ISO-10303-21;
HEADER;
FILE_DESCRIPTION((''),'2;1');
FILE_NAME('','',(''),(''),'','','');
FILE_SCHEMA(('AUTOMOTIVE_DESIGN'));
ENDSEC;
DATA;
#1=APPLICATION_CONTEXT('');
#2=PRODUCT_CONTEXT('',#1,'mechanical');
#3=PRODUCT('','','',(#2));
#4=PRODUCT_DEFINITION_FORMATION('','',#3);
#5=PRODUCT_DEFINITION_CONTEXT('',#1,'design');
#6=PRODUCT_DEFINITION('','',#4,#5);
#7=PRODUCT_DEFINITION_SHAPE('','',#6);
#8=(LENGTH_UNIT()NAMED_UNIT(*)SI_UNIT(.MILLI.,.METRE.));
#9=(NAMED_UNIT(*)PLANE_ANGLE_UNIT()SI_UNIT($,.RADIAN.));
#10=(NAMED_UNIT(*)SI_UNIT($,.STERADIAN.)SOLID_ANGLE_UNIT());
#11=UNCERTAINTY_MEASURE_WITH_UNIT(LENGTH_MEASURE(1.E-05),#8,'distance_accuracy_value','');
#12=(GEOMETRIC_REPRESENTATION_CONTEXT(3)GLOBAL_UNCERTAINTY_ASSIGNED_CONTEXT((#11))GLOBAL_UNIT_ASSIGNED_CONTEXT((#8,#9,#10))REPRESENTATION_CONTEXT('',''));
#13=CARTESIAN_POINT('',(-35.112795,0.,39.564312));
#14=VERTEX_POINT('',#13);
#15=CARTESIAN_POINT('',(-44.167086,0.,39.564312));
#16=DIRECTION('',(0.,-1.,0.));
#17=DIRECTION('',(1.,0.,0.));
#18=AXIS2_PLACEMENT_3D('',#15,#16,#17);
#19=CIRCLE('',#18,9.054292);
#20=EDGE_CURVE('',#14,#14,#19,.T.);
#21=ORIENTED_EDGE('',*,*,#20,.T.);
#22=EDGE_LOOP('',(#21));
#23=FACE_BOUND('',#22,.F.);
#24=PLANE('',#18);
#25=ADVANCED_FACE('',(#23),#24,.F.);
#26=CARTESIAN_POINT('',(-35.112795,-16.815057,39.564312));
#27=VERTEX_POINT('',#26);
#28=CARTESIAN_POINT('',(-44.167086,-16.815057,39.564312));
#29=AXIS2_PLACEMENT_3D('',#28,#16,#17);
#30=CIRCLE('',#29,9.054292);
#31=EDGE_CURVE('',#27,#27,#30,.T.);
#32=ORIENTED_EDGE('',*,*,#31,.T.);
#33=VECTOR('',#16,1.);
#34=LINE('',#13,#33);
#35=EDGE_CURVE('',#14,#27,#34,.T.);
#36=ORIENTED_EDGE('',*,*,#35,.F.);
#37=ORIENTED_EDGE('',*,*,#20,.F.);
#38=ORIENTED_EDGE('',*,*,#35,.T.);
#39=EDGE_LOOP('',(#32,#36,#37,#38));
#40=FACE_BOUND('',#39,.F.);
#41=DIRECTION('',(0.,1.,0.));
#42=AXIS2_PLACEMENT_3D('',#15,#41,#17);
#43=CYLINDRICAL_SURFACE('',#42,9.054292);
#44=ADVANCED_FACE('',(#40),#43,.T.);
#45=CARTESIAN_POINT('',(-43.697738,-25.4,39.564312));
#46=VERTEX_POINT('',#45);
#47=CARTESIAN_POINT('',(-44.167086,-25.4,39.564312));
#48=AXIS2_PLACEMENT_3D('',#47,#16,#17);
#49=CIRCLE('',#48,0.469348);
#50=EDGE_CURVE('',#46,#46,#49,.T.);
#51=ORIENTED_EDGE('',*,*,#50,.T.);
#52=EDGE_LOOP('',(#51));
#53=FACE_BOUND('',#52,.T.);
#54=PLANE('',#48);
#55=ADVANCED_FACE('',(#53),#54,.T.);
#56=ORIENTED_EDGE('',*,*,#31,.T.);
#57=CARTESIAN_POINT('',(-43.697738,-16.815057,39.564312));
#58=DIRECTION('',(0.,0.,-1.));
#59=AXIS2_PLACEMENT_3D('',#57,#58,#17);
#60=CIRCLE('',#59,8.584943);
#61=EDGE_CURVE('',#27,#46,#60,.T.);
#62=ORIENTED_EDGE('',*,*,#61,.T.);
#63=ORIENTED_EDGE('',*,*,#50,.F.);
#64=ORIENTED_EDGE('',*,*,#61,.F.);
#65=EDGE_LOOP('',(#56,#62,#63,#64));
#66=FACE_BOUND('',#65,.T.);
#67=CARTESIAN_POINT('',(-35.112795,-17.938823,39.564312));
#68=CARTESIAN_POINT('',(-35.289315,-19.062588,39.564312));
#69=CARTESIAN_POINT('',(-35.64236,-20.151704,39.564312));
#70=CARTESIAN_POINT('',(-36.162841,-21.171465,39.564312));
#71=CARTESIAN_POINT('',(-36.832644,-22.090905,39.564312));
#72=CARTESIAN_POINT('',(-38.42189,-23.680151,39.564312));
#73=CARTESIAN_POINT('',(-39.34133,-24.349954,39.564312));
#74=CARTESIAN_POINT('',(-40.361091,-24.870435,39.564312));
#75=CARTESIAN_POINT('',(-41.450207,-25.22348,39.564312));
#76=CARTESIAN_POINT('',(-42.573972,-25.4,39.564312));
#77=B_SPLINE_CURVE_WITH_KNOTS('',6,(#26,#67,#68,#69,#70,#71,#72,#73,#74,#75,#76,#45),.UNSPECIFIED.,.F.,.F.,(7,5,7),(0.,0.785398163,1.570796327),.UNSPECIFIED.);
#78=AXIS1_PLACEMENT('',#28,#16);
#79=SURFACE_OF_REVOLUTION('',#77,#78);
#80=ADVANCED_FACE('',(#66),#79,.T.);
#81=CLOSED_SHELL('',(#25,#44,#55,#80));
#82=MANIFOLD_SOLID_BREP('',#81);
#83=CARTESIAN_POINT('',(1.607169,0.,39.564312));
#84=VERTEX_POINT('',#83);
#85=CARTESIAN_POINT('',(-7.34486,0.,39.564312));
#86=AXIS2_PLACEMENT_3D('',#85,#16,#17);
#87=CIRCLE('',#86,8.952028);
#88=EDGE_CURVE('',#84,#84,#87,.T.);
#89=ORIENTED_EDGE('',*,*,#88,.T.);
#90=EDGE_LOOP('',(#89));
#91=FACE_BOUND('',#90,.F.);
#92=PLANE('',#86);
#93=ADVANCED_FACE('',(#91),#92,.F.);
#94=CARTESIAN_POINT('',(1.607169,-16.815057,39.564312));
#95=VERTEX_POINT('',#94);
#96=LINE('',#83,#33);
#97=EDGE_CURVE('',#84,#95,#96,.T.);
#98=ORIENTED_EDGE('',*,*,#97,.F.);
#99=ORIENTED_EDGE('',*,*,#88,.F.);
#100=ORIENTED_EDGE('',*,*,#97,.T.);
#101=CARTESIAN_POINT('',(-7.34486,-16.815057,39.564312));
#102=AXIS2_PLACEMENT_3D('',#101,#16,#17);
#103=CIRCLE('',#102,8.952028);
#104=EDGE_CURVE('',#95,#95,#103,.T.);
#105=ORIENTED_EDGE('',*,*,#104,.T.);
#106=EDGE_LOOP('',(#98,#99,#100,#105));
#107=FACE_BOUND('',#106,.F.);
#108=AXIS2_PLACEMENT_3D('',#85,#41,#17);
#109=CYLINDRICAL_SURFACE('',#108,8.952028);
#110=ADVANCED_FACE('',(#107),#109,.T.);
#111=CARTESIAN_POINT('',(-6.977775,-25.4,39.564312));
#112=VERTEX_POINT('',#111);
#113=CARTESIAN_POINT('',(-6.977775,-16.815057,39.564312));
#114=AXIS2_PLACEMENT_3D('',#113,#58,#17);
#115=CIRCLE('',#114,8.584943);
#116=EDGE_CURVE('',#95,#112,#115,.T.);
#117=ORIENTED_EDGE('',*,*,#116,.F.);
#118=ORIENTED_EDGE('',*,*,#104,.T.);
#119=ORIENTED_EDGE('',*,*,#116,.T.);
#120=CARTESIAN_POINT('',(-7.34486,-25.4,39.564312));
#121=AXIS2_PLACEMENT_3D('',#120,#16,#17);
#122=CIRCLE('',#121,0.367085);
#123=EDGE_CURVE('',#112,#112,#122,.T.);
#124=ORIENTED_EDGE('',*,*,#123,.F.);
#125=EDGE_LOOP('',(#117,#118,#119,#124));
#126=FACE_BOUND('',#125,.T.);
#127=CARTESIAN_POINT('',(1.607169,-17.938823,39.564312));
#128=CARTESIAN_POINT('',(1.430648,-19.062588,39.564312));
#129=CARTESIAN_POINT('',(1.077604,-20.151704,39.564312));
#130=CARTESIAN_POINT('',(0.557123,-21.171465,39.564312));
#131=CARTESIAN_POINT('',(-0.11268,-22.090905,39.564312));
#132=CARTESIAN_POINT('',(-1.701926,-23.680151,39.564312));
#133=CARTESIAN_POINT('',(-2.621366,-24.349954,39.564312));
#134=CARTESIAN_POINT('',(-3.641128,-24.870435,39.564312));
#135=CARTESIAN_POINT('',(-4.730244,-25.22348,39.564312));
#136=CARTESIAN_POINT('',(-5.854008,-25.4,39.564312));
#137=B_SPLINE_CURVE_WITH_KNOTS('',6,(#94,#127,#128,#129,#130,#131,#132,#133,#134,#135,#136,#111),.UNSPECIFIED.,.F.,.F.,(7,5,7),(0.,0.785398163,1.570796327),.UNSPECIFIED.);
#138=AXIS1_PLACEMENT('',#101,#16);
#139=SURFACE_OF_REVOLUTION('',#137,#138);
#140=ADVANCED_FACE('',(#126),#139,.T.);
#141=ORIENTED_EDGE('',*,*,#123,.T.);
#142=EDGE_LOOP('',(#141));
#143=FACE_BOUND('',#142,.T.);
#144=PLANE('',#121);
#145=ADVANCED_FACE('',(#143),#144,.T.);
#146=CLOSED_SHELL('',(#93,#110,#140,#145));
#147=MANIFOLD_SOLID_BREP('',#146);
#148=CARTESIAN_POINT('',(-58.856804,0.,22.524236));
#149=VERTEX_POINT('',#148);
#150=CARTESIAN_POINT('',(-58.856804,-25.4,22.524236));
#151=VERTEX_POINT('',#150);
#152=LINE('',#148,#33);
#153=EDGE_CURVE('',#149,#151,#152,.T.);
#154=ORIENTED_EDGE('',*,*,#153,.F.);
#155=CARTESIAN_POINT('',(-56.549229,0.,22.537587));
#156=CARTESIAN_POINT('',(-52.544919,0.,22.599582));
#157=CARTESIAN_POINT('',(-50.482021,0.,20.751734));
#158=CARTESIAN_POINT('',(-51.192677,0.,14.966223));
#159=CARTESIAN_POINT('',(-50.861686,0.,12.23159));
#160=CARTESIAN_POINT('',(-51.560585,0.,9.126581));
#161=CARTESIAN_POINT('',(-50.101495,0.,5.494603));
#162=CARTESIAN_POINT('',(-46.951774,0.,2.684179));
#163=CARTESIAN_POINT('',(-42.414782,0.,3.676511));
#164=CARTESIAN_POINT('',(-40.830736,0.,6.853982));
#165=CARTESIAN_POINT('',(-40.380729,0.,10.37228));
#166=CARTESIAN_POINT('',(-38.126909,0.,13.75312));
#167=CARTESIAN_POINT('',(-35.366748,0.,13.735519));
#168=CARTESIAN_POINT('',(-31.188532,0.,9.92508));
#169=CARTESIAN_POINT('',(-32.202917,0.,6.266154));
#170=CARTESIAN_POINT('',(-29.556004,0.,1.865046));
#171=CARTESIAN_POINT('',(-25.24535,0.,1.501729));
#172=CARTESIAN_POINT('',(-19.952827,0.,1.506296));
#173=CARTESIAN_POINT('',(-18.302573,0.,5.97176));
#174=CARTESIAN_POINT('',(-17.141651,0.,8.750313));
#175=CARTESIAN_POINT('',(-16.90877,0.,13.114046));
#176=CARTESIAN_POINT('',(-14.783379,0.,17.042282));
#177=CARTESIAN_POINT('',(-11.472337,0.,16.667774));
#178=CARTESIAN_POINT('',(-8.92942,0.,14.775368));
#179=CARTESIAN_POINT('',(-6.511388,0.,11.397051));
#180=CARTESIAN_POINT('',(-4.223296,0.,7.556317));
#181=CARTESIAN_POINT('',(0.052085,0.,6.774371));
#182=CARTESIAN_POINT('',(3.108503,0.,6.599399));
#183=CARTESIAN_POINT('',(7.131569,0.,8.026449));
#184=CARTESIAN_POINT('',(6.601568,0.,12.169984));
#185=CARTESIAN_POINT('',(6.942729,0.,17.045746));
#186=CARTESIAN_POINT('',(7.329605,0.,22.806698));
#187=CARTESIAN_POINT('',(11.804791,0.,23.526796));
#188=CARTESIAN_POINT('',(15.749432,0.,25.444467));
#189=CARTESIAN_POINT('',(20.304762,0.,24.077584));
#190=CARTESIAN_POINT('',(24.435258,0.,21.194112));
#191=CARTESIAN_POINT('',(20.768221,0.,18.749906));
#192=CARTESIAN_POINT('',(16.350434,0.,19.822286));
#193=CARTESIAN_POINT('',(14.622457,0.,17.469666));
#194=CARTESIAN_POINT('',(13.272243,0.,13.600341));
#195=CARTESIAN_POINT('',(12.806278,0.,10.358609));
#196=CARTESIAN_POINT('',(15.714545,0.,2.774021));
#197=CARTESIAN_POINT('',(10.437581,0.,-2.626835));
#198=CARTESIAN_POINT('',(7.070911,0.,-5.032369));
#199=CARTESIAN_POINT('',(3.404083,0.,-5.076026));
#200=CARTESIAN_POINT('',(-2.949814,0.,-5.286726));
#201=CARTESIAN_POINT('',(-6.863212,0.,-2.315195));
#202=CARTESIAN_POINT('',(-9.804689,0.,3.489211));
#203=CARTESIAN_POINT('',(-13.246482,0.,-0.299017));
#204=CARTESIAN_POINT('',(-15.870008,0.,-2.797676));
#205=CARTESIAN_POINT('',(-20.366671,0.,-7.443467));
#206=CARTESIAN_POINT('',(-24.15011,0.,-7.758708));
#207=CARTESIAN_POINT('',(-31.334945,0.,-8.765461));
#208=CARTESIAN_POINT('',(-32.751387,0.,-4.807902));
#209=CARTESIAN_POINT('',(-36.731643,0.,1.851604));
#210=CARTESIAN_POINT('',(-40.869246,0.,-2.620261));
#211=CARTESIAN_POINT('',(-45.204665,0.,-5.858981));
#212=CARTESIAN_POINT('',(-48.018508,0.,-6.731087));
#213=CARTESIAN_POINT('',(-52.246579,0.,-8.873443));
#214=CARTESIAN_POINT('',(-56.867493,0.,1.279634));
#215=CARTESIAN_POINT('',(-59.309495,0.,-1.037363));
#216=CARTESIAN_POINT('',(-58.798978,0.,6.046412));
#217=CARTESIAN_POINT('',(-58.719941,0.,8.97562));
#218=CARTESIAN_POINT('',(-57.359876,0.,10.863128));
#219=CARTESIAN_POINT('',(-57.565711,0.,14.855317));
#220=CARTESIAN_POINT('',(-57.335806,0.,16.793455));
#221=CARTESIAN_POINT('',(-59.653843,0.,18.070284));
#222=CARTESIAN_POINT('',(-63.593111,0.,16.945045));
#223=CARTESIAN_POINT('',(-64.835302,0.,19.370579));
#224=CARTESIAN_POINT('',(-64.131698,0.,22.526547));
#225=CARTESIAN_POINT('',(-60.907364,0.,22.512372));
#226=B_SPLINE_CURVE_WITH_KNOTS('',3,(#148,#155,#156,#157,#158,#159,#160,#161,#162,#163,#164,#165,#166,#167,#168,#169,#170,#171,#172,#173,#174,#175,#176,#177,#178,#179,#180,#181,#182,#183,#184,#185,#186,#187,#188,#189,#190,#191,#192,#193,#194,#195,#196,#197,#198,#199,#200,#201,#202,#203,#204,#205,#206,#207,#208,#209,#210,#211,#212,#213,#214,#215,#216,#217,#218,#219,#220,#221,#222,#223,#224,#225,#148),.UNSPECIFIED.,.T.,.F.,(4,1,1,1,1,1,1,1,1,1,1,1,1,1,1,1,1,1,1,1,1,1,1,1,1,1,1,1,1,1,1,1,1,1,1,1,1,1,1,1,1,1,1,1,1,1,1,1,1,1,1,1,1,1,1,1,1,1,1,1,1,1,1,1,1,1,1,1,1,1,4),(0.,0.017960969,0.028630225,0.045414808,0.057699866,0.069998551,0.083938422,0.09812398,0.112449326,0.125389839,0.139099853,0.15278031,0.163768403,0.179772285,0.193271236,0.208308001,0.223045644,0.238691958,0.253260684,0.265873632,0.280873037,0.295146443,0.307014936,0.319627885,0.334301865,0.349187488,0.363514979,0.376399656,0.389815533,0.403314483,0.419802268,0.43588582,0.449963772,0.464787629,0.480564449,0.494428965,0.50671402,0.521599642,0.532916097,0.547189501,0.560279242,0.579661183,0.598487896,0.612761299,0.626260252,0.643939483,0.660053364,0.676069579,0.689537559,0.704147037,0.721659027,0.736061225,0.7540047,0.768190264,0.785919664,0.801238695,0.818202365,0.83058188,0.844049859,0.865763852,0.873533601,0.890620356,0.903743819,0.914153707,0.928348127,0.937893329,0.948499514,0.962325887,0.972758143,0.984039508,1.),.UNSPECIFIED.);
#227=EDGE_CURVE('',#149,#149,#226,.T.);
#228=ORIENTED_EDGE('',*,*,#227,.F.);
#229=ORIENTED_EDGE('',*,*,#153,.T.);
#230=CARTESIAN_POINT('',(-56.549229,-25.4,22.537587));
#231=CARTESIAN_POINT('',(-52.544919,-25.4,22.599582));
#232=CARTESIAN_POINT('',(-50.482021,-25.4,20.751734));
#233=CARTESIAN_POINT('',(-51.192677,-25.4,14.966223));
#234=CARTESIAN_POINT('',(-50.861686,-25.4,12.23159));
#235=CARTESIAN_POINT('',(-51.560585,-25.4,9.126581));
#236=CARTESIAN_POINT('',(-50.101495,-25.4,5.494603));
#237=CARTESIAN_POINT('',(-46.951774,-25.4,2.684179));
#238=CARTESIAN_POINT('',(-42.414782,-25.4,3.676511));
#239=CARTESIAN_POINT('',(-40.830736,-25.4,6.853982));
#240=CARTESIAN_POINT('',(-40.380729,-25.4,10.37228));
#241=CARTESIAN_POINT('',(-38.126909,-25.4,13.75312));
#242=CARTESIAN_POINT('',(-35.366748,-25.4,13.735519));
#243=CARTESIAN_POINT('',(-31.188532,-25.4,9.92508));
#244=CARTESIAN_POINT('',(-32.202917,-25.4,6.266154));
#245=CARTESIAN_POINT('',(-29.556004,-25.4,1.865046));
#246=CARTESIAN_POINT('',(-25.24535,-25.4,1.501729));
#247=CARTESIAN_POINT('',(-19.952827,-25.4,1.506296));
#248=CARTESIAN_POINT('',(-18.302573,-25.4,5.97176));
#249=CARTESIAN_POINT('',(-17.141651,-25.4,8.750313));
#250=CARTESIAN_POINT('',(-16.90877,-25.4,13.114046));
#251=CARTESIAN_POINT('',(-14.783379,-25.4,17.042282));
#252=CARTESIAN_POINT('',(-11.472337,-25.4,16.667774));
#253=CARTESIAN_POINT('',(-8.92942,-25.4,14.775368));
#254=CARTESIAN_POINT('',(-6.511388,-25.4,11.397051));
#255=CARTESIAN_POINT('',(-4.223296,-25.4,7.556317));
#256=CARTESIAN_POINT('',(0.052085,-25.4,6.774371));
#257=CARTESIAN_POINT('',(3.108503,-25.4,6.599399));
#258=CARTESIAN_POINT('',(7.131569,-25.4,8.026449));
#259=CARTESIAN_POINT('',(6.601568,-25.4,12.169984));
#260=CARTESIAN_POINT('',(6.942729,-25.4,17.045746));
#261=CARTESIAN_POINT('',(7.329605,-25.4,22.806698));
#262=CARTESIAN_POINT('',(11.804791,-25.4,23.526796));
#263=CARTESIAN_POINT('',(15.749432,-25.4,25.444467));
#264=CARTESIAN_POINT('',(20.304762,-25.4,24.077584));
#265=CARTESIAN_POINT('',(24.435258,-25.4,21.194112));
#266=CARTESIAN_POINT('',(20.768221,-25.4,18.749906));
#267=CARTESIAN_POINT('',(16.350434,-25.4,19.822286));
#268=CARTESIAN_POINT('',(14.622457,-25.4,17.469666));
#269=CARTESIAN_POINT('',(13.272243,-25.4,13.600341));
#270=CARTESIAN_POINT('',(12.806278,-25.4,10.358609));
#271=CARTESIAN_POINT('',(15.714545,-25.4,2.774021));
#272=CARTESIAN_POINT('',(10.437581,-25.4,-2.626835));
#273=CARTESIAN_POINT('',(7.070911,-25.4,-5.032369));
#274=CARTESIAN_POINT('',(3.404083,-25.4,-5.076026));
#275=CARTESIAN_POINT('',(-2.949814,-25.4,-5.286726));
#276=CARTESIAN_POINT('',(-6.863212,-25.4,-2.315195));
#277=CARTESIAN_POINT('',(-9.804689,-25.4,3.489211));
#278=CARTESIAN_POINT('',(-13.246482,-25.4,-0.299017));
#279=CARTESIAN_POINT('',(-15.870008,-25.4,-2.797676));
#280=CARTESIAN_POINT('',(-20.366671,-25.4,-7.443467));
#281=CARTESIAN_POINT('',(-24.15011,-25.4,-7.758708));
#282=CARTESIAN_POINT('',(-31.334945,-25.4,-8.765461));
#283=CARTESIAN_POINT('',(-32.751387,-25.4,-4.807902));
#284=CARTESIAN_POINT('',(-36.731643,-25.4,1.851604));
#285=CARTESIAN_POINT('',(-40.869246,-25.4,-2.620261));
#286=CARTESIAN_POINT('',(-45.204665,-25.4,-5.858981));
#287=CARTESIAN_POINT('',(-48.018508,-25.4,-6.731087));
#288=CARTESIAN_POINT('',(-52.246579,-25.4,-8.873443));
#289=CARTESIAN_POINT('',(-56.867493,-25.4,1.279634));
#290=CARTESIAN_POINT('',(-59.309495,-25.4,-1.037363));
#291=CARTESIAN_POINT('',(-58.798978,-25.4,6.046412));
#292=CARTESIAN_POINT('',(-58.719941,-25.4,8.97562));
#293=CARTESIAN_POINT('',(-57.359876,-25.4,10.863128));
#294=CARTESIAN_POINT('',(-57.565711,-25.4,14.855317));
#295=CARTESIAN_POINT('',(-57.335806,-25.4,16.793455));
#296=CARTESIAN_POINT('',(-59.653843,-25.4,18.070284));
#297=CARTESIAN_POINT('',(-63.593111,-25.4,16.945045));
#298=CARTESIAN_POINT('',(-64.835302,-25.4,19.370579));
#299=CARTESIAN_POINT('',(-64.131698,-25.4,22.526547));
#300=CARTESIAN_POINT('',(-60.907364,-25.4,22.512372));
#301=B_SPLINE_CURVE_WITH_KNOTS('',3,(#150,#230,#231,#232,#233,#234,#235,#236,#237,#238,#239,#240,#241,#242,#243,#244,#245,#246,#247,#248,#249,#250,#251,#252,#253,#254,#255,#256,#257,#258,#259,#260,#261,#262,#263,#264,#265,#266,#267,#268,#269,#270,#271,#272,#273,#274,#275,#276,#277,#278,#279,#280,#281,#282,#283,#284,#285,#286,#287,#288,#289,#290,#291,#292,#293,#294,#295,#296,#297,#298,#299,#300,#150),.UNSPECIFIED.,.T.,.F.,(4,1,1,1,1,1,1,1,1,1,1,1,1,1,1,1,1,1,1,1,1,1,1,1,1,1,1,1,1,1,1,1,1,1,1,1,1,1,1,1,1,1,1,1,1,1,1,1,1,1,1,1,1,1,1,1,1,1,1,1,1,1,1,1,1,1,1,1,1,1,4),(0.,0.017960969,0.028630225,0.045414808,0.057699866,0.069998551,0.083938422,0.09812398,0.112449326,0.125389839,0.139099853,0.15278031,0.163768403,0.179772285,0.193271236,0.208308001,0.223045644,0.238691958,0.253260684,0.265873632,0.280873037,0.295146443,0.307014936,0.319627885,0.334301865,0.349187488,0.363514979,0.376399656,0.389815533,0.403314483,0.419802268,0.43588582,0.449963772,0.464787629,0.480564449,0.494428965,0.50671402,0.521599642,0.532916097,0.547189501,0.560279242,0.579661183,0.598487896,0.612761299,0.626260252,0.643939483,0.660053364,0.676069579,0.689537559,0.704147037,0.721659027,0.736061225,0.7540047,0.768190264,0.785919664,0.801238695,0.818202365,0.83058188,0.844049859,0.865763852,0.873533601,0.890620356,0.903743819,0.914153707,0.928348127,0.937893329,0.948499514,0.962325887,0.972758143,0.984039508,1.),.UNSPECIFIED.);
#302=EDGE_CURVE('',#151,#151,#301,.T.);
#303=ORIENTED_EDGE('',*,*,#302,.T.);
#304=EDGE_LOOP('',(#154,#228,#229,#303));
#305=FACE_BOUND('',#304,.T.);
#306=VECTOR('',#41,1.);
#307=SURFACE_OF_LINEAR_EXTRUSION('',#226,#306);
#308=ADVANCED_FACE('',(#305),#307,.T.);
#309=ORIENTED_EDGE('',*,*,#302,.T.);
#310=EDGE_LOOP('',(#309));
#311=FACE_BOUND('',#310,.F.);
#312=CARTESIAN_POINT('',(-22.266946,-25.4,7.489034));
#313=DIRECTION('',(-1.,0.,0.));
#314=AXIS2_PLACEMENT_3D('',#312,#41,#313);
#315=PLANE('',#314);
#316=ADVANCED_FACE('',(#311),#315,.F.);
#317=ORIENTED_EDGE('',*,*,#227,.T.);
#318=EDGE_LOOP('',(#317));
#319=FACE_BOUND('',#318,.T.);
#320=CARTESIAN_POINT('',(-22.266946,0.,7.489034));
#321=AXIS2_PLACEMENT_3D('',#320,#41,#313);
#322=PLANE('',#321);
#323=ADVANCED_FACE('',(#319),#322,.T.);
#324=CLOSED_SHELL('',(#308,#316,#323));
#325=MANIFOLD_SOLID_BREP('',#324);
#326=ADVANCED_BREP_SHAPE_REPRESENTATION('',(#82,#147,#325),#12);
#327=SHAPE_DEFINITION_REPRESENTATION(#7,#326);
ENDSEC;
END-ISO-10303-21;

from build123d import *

# Parameters (mm, degrees)
F1_DEPTH = 25.4
F0_R     = 9.0542915296
F0_R_2   = 8.9520282759
F2_R     = 8.5849434278
F2_2_R   = 8.5849434278


with BuildPart() as f1:
    # F0 (on Front) → F1 (new body)
    with BuildSketch(Plane.XZ):
        with BuildLine():
            add(Edge.make_bspline(
                [(-58.8568039238, 22.5242357701), (-56.5492285379, 22.537586684), (-52.5449185731, 22.5995821907), (-50.4820211377, 20.7517336258), (-51.1926767045, 14.9662229415), (-50.8616860634, 12.2315898055), (-51.5605850729, 9.1265809451), (-50.1014949552, 5.4946032162), (-46.9517744157, 2.6841787131), (-42.4147820583, 3.6765106865), (-40.8307362833, 6.8539820429), (-40.3807291295, 10.3722801285), (-38.1269091997, 13.7531200821), (-35.3667476296, 13.7355188192), (-31.1885320076, 9.9250801841), (-32.2029174356, 6.2661540995), (-29.5560043376, 1.8650457324), (-25.2453498318, 1.5017286586), (-19.9528269452, 1.5062962691), (-18.3025728094, 5.9717595599), (-17.1416514213, 8.7503132503), (-16.908770142, 13.1140461118), (-14.7833787649, 17.0422815901), (-11.4723374697, 16.6677743398), (-8.9294199973, 14.7753680551), (-6.5113877861, 11.397050823), (-4.223295502, 7.5563170163), (0.0520854311, 6.7743711487), (3.1085032587, 6.5993985564), (7.1315689409, 8.0264485274), (6.6015676854, 12.1699841829), (6.9427287371, 17.0457460096), (7.3296053321, 22.8066977775), (11.8047907226, 23.5267958401), (15.7494324862, 25.4444674082), (20.3047617013, 24.0775840696), (24.4352578686, 21.1941121276), (20.7682205418, 18.7499060837), (16.35043402, 19.8222862671), (14.6224568774, 17.4696664998), (13.2722432629, 13.6003406189), (12.8062780261, 10.3586089894), (15.7145453016, 2.7740208072), (10.437581227, -2.6268349393), (7.0709107867, -5.032369194), (3.4040827646, -5.0760257473), (-2.9498136018, -5.2867261285), (-6.8632124668, -2.3151953242), (-9.8046888065, 3.4892106128), (-13.2464820087, -0.2990170753), (-15.8700084237, -2.7976756402), (-20.3666710333, -7.4434669052), (-24.1501098121, -7.758707889), (-31.3349450979, -8.7654612211), (-32.7513868255, -4.8079019377), (-36.7316433782, 1.851603712), (-40.8692462499, -2.6202610741), (-45.2046652487, -5.858981165), (-48.0185081419, -6.731086574), (-52.2465792774, -8.8734429297), (-56.8674928796, 1.2796339276), (-59.3094947627, -1.0373631616), (-58.7989783172, 6.0464117226), (-58.7199409536, 8.9756198856), (-57.3598763838, 10.8631277037), (-57.5657111007, 14.8553165455), (-57.3358062145, 16.7934545039), (-59.653843234, 18.0702840286), (-63.593111311, 16.9450447542), (-64.835301796, 19.3705790542), (-64.1316975402, 22.5265469146), (-60.9073635429, 22.5123718696), (-58.8568039238, 22.5242357701)],
                knots=[0, 0, 0, 0, 0.0179609693, 0.0286302248, 0.0454148081, 0.0576998658, 0.0699985506, 0.0839384218, 0.0981239803, 0.1124493258, 0.1253898391, 0.1390998533, 0.1527803098, 0.1637684029, 0.1797722851, 0.1932712362, 0.2083080009, 0.2230456442, 0.2386919584, 0.2532606841, 0.2658736317, 0.2808730373, 0.2951464426, 0.3070149363, 0.3196278852, 0.3343018652, 0.349187488, 0.3635149791, 0.3763996562, 0.3898155327, 0.403314483, 0.4198022678, 0.4358858196, 0.4499637717, 0.4647876292, 0.4805644489, 0.4944289654, 0.5067140196, 0.5215996416, 0.5329160967, 0.5471895011, 0.5602792417, 0.5796611826, 0.5984878957, 0.6127612985, 0.6262602518, 0.6439394827, 0.660053364, 0.6760695793, 0.6895375592, 0.7041470372, 0.7216590265, 0.7360612254, 0.7540047001, 0.7681902642, 0.7859196639, 0.801238695, 0.8182023653, 0.8305818804, 0.8440498595, 0.8657638518, 0.8735336008, 0.8906203561, 0.903743819, 0.9141537066, 0.9283481268, 0.9378933292, 0.9484995142, 0.9623258874, 0.9727581425, 0.984039508, 1, 1, 1, 1], degree=3))
        make_face()
    extrude(amount=F1_DEPTH)


with BuildPart() as f1b:
    # F0 (on Front) → F1, piece 2 (new body)
    with BuildSketch(Plane.XZ):
        with Locations((-44.167086482, 39.5643115044)):
            Circle(F0_R)
    extrude(amount=F1_DEPTH)

    # F2
    f2_edges = [f1b.edges().sort_by_distance(p)[0] for p in [
        (-53.221378, -25.4, 39.564312),
    ]]
    fillet(f2_edges, radius=F2_R)


with BuildPart() as f1c:
    # F0 (on Front) → F1, piece 3 (new body)
    with BuildSketch(Plane.XZ):
        with Locations((-7.3448596522, 39.5643115044)):
            Circle(F0_R_2)
    extrude(amount=F1_DEPTH)

    # F2#2
    f2_2_edges = [f1c.edges().sort_by_distance(p)[0] for p in [
        (-16.296888, -25.4, 39.564312),
    ]]
    fillet(f2_2_edges, radius=F2_2_R)


solid = Compound([f1.part, f1b.part, f1c.part])
